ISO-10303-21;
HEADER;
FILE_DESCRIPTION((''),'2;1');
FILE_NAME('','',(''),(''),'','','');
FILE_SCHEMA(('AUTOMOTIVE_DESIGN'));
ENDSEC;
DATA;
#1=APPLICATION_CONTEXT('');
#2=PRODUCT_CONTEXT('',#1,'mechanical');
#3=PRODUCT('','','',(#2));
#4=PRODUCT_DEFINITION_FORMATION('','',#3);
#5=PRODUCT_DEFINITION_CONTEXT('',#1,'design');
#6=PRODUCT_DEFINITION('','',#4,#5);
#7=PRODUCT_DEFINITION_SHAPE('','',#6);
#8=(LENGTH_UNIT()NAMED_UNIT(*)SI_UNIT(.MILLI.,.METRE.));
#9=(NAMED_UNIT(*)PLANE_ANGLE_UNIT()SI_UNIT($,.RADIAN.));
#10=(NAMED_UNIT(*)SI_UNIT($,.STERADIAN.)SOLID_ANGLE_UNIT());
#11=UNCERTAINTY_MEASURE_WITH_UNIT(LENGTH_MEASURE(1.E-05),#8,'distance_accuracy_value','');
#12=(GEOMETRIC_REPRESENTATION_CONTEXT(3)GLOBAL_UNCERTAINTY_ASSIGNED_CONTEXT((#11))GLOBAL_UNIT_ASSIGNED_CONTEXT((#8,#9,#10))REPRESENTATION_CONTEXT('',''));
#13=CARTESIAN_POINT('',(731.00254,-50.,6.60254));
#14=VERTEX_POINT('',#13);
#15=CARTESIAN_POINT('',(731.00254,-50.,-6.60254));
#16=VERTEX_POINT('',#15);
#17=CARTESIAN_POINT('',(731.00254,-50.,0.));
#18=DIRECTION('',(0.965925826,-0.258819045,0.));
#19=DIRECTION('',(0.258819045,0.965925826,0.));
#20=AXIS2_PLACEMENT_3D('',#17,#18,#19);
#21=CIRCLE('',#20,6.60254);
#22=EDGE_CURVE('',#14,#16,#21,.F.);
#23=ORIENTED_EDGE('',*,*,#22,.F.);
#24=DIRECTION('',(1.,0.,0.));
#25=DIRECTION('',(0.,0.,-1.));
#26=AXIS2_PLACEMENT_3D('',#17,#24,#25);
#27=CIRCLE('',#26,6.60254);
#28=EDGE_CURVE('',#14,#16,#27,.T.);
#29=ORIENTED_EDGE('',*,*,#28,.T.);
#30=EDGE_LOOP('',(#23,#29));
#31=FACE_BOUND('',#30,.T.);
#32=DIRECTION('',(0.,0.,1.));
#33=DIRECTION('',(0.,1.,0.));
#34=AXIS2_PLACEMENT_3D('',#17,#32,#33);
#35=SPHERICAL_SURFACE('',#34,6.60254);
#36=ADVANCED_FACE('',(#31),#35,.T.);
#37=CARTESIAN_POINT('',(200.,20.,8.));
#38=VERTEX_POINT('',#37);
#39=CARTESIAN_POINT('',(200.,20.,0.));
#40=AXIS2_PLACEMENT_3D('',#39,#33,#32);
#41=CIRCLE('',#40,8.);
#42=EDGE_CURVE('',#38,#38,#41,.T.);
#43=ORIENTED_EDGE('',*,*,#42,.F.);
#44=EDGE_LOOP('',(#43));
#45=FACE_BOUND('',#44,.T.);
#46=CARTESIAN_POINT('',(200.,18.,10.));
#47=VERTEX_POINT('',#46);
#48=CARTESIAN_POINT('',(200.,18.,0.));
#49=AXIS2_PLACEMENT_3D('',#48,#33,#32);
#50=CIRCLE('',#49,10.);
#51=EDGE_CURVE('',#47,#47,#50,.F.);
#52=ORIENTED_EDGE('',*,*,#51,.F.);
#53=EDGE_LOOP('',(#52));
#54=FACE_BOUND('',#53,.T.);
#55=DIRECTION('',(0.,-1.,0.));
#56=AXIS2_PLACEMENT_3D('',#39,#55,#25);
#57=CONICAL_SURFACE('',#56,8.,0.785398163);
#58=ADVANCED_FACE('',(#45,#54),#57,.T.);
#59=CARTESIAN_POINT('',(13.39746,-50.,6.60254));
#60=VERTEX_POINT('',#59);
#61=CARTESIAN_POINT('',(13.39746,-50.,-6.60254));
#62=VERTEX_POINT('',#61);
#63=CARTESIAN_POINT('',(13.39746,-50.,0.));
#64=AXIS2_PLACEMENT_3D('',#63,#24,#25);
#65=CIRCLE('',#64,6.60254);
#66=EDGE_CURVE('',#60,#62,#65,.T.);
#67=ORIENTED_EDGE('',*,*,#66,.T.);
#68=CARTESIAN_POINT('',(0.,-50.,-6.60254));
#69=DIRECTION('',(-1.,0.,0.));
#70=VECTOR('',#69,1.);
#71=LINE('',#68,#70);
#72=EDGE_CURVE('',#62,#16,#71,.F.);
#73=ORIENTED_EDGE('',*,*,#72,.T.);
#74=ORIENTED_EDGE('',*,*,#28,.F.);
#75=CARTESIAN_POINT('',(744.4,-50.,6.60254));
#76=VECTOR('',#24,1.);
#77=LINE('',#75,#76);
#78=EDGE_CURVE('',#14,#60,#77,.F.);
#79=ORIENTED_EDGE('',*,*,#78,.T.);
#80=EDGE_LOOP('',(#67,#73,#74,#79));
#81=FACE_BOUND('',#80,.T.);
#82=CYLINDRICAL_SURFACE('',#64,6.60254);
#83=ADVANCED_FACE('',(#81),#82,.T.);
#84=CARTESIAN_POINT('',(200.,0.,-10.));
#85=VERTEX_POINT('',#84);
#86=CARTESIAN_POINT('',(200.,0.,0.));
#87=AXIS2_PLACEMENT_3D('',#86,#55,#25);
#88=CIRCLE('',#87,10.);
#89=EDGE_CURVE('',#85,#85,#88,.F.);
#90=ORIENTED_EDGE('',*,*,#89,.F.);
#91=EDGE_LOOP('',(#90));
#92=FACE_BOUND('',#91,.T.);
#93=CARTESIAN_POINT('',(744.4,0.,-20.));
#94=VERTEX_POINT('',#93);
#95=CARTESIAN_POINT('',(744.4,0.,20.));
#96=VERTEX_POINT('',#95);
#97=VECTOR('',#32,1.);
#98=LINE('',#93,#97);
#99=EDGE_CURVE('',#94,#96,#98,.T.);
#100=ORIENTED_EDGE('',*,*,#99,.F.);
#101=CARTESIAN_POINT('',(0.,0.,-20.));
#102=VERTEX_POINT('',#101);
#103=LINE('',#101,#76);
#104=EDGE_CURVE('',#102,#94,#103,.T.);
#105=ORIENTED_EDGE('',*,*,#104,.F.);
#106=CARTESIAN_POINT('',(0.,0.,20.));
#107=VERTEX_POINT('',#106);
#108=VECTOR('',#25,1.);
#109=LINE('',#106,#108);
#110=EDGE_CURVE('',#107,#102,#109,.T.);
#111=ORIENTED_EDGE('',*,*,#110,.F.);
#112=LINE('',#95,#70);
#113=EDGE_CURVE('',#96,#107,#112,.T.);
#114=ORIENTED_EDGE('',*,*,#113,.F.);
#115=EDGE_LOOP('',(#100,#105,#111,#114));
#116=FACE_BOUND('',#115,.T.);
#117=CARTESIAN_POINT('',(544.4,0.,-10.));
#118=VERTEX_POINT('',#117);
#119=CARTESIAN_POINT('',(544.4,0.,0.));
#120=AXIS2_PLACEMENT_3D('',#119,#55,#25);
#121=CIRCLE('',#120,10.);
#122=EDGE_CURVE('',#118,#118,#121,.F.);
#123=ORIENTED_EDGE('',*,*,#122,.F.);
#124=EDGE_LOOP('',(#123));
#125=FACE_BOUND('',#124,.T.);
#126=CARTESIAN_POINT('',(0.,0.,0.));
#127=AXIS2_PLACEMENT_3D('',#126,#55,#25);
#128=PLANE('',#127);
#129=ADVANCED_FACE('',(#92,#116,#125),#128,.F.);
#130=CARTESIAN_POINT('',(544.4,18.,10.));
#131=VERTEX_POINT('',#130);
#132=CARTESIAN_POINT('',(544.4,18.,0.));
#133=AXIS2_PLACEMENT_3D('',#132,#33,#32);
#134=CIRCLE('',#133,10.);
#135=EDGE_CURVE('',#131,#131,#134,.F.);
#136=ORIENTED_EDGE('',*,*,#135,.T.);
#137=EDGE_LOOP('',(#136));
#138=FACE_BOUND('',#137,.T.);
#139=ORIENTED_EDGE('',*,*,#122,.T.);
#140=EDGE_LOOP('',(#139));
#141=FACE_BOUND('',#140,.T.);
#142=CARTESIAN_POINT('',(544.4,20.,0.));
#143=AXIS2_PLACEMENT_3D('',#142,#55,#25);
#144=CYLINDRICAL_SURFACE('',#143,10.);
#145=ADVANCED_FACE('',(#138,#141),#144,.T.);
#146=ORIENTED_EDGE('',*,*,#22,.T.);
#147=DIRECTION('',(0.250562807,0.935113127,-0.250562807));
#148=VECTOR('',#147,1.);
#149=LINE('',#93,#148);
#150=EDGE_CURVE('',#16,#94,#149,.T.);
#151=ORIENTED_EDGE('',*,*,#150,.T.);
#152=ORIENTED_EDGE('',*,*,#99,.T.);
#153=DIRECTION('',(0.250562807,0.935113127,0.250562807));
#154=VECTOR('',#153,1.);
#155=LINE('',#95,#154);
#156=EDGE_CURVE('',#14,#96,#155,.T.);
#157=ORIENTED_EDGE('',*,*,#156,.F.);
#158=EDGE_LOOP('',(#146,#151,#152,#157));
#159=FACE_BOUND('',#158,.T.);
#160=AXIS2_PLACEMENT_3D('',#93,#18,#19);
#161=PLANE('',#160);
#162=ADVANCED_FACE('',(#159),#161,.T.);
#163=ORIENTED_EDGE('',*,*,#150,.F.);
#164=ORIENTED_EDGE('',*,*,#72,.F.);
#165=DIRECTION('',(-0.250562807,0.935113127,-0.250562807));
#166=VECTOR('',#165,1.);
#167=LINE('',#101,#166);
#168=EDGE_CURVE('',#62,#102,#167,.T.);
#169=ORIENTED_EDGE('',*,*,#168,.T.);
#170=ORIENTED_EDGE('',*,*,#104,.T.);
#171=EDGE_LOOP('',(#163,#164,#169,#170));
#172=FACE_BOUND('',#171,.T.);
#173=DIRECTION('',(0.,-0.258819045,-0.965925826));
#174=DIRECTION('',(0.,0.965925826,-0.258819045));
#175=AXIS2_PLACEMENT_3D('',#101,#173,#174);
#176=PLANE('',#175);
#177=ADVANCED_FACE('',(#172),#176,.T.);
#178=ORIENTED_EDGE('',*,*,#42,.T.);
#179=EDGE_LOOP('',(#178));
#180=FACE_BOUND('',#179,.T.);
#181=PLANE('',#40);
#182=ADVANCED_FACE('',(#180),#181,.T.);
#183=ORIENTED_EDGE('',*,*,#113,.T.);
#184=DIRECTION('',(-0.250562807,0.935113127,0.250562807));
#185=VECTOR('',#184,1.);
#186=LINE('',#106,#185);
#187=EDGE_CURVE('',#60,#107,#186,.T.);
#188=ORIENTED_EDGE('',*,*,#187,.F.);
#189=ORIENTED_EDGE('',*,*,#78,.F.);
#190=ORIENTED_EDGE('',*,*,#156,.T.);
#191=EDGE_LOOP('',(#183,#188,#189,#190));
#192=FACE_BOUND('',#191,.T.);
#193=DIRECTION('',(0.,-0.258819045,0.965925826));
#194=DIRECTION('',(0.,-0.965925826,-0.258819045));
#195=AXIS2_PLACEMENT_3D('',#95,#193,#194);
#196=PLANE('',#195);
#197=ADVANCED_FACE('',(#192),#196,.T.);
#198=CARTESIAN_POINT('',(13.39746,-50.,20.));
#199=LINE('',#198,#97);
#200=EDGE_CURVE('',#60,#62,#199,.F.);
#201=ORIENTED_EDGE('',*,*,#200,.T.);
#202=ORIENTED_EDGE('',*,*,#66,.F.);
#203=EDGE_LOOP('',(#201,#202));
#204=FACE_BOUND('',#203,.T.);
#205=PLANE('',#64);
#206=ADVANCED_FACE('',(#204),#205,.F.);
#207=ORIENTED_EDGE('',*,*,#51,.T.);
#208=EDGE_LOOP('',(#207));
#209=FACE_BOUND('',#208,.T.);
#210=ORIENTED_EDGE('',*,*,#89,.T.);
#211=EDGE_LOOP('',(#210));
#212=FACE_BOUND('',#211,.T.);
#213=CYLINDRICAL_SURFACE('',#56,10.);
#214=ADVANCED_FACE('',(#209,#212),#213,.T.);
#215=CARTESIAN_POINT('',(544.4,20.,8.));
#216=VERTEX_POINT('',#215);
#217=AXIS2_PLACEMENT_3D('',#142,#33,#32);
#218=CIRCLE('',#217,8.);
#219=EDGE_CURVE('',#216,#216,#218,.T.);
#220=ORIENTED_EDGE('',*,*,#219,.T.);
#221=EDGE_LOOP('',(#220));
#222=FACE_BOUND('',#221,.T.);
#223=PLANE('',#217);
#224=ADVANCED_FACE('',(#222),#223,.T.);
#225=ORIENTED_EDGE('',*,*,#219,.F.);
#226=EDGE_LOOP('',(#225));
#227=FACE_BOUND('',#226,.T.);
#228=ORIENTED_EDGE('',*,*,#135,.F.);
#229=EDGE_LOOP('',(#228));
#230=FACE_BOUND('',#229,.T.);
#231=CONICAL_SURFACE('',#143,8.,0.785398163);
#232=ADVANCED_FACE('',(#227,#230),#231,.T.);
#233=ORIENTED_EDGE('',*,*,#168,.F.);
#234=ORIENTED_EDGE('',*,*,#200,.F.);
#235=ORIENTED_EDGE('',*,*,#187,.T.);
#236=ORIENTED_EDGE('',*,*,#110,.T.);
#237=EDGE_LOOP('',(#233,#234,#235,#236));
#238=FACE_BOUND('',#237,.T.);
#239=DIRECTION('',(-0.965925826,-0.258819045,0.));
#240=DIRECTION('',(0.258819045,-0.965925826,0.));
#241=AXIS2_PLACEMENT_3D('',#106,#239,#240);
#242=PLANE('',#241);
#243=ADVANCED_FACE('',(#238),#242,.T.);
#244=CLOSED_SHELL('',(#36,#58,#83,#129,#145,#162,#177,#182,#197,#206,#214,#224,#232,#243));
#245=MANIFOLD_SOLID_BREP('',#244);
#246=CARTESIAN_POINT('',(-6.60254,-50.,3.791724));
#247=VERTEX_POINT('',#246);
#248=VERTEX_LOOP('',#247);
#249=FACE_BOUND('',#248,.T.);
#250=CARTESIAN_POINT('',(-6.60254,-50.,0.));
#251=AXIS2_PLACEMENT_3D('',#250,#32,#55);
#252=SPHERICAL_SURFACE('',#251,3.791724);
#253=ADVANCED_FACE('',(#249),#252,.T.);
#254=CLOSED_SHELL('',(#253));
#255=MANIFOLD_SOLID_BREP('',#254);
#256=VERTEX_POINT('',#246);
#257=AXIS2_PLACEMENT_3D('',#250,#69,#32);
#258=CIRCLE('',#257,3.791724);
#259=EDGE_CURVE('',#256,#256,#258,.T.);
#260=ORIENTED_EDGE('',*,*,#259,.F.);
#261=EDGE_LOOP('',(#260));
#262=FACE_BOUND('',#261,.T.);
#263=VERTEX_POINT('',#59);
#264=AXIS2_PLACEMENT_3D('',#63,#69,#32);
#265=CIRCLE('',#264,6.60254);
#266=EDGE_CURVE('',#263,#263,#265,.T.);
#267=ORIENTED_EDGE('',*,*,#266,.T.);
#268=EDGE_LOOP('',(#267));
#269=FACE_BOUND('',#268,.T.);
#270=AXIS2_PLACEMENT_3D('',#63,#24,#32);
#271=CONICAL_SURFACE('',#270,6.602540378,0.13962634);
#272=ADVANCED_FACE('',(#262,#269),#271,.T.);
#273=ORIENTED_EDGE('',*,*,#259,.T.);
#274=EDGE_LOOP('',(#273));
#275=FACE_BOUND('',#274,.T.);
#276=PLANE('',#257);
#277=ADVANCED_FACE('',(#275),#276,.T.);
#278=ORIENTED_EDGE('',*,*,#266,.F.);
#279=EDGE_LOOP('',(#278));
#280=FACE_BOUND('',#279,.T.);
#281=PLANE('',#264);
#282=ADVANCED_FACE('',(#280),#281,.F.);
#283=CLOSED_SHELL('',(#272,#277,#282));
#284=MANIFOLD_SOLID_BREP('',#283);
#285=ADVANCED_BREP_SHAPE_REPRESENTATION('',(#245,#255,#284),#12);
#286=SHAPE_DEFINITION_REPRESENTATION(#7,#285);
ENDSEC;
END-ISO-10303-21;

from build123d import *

# Parameters (mm, degrees)
BOSS_EXTRUDE1_DEPTH = 50
BOSS_EXTRUDE1_DRAFT = -15
SKETCH3_R           = 6.602540378
BOSS_EXTRUDE2_DEPTH = 717.605081
SKETCH4_R           = 6.602540378
BOSS_EXTRUDE3_DEPTH = 20
BOSS_EXTRUDE3_TAPER = 8
SKETCH9_R           = 10
BOSS_EXTRUDE4_DEPTH = 20
CHAMFER1_SIZE       = 2


with BuildPart() as part:
    # Sketch1 → Boss-Extrude1 (with draft: the straight prism first)
    with BuildSketch(Plane(origin=(0, 0, 0), x_dir=(1, 0, 0), z_dir=(0, 1, 0))):
        Polygon((0, 0), (0, -20), (744.4, -20), (744.4, 20), (0, 20), align=None)
    extrude(amount=-BOSS_EXTRUDE1_DEPTH)
    # Boss-Extrude1: the draft: its side faces are tilted about the plane it starts from
    boss_extrude1_sides = [part.faces().sort_by_distance(p)[0] for p in [
        (0, -25, 0),
        (744.4, -25, 0),
        (372.2, -25, -20),
        (372.2, -25, 20),
    ]]
    draft(boss_extrude1_sides, Plane(origin=(0, 0, 0), x_dir=(1, 0, 0), z_dir=(0, 1, 0)), BOSS_EXTRUDE1_DRAFT)

    # Sketch3 → Boss-Extrude2 (add)
    with BuildSketch(Plane(origin=(731.002540378, 0, 0), x_dir=(0, 0, -1), z_dir=(1, 0, 0))):
        with Locations((0, -50)):
            Circle(SKETCH3_R)
    extrude(amount=-BOSS_EXTRUDE2_DEPTH)

    # Sketch8 → Revolve3 (revolve)
    with BuildSketch(Plane(origin=(731.002540378, 0, 0), x_dir=(0, 0, -1), z_dir=(1, 0, 0))):
        with BuildLine():
            Line((6.602540378, -50), (-6.602540378, -50))
            ThreePointArc((-6.602540378, -50), (0, -56.602540378), (6.602540378, -50))
        make_face()
    revolve(axis=Axis((731.002540378, -50, 6.602540378), (0, 0, -1)))

    # Sketch9 → Boss-Extrude4 (add)
    with BuildSketch(Plane(origin=(0, 0, 0), x_dir=(1, 0, 0), z_dir=(0, 1, 0))):
        with Locations(Location((200, 0, 0), (0, 0, 90))):
            Circle(SKETCH9_R)
        with Locations(Location((544.4, 0, 0), (0, 0, 90))):
            Circle(SKETCH9_R)
    extrude(amount=BOSS_EXTRUDE4_DEPTH)

    # Chamfer1
    chamfer1_edges = [part.edges().sort_by_distance(p)[0] for p in [
        (200, 20, 10),
        (544.4, 20, 10),
    ]]
    chamfer(chamfer1_edges, length=CHAMFER1_SIZE)


with BuildPart() as body_2:
    # Sketch4 → Boss-Extrude3 (new body)
    with BuildSketch(Plane.ZY.offset(-13.397459622)):
        with Locations((0, -50)):
            Circle(SKETCH4_R)
    extrude(amount=BOSS_EXTRUDE3_DEPTH, taper=BOSS_EXTRUDE3_TAPER)


with BuildPart() as body_3:
    # Sketch6 → Revolve2 (revolve)
    with BuildSketch(Plane.ZY.offset(6.602540378)):
        with BuildLine():
            Line((3.791723684, -50), (-3.791723684, -50))
            ThreePointArc((-3.791723684, -50), (0, -53.791723684), (3.791723684, -50))
        make_face()
    revolve(axis=Axis((-6.602540378, -50, 3.791723684), (0, 0, -1)))


solid = Compound([part.part, body_2.part, body_3.part])
